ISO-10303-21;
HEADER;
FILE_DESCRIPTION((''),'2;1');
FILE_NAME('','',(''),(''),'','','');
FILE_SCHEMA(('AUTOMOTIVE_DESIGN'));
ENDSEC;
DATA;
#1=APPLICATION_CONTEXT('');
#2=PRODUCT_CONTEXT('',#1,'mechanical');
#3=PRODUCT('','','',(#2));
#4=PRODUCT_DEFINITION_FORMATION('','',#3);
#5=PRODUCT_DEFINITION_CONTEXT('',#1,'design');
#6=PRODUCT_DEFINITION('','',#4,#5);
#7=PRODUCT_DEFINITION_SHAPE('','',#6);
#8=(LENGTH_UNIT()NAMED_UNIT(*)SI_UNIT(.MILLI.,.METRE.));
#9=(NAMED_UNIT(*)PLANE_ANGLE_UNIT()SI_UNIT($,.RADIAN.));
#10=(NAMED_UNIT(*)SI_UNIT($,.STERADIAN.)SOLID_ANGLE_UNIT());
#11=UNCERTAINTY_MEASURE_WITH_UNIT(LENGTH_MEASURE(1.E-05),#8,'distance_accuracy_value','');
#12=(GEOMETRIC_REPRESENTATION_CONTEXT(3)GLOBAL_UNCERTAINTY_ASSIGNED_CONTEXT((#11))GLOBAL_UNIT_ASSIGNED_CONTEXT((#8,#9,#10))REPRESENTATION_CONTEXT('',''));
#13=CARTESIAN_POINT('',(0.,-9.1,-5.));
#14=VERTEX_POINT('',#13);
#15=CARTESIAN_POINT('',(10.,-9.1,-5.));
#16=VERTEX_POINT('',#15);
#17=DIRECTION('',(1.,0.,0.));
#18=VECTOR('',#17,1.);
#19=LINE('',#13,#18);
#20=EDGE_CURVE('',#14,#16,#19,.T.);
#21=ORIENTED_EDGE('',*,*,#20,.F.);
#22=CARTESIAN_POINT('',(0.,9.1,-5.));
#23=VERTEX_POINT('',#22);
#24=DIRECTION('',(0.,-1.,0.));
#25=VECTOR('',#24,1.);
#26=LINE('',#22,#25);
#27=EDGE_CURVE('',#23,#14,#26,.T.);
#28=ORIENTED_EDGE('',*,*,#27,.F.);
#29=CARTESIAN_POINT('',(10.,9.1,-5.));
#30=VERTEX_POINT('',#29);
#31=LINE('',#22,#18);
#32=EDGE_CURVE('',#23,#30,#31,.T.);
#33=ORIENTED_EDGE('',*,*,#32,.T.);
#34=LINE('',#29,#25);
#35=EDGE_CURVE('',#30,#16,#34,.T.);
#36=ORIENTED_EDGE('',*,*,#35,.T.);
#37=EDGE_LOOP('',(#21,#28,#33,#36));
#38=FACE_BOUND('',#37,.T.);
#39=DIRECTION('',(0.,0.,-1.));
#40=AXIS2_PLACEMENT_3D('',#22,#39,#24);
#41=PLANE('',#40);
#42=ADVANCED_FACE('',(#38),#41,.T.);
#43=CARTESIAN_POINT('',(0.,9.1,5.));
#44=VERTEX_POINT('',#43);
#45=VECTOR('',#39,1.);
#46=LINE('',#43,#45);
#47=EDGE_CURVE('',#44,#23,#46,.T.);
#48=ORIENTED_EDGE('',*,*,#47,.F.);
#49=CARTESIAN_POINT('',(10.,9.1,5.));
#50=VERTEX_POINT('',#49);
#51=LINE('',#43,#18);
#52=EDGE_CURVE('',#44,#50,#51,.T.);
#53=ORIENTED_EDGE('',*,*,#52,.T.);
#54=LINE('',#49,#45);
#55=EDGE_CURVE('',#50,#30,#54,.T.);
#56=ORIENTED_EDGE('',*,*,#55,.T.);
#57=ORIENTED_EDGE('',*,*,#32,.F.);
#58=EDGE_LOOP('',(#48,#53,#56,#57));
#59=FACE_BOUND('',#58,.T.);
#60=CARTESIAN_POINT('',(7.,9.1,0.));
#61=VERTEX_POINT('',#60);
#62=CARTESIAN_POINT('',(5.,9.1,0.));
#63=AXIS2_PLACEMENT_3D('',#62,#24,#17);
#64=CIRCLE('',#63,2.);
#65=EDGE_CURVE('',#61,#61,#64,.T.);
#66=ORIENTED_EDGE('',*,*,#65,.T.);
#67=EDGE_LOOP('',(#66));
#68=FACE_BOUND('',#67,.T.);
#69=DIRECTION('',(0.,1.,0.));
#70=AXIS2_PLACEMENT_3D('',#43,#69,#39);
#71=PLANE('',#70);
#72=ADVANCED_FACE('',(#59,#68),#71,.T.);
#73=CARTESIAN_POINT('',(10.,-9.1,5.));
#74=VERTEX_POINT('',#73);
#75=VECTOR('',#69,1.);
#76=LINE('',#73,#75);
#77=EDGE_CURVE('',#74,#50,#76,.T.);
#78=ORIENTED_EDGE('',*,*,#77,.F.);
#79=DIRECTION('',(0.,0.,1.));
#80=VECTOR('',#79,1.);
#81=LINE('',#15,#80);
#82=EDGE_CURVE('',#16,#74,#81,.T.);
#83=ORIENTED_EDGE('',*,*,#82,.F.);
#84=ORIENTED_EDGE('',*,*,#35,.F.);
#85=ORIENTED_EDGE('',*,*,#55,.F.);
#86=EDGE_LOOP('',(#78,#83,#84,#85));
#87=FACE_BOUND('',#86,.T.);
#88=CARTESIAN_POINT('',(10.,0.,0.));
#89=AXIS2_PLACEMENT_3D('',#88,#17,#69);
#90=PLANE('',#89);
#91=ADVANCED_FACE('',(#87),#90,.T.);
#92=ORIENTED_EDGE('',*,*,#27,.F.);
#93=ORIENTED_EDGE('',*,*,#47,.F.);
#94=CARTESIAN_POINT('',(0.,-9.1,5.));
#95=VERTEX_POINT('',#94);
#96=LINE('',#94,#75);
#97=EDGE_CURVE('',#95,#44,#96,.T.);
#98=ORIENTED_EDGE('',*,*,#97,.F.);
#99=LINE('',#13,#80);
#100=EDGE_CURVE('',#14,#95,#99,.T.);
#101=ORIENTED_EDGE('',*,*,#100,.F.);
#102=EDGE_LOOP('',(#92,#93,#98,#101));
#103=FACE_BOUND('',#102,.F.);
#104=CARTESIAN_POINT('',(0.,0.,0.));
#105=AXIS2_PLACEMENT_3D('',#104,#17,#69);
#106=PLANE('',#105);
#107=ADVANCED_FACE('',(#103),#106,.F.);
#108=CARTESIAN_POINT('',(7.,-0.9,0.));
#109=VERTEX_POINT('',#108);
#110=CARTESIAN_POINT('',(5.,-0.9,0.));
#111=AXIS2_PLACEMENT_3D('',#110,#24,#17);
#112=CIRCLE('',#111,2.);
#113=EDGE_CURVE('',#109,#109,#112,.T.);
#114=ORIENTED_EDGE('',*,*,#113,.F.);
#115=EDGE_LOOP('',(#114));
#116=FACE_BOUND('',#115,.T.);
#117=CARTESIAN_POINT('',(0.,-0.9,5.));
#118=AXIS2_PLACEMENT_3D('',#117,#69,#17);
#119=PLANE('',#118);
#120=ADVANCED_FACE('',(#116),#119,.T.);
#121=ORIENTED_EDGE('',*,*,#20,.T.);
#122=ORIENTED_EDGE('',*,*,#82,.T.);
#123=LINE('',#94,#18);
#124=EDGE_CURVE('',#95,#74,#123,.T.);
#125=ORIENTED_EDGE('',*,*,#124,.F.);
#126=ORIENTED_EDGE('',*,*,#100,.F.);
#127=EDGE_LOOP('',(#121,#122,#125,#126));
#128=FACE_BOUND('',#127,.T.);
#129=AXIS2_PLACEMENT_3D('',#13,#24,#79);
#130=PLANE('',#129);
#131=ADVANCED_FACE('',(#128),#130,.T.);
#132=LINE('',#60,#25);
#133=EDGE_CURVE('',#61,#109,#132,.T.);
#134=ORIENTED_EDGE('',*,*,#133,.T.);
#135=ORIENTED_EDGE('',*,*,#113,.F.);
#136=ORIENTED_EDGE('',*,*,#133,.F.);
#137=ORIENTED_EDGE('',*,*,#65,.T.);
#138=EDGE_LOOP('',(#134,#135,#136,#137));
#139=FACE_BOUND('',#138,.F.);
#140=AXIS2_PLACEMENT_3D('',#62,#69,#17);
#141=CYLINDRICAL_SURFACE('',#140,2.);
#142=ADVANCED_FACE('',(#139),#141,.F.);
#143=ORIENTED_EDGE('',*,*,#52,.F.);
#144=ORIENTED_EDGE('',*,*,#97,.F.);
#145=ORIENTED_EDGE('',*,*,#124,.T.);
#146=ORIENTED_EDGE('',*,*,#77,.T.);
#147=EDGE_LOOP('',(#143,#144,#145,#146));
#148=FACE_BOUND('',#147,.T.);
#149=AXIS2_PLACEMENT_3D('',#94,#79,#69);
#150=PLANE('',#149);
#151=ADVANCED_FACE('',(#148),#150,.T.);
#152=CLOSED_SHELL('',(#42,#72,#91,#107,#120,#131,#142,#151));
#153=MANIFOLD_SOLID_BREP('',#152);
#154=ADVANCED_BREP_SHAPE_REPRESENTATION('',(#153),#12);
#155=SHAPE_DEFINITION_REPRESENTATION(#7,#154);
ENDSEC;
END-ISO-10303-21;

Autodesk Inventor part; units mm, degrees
ref_plane "YZ Plane" through (0, 0, 0) normal (1, 0, 0) x (0, 1, 0)
ref_plane "XZ Plane" through (0, 0, 0) normal (0, 1, 0) x (-1, 0, 0)
ref_plane "XY Plane" through (0, 0, 0) normal (0, 0, 1) x (1, 0, 0)
sketch "Sketch1" plane through (0, 0, 0) normal (1, 0, 0) x (0, 1, 0)
  line L0 (-9.1, 5) -> (9.1, 5)
  line L1 (9.1, 5) -> (9.1, -5)
  line L2 (9.1, -5) -> (-9.1, -5)
  line L3 (-9.1, -5) -> (-9.1, 5)
  line L4 (-9.1, 5) -> (9.1, -5) construction
  line L5 (9.1, 5) -> (-9.1, -5) construction
  point P0 (0, 0)
  dimension "d0" = 18.2
  dimension "d1" = 10
extrude "Extrusion1" add sketch "Sketch1" along normal blind 10
sketch "Sketch2" plane through (0, 9.1, 5) normal (0, 1, 0) x (1, 0, 0)
  line L0 (0, 5) -> (5, 5)
  circle A0 centre (5, 5) radius 2
  dimension "d4" = 5
  dimension "d5" = 4
extrude "Extrusion2" cut sketch "Sketch2" against normal blind 10
thread "Thread1" size "M4x0.7" class "6H" standard "ANSI Metric M Profile" full length
properties part number "Rb PEEK - Soporte"
